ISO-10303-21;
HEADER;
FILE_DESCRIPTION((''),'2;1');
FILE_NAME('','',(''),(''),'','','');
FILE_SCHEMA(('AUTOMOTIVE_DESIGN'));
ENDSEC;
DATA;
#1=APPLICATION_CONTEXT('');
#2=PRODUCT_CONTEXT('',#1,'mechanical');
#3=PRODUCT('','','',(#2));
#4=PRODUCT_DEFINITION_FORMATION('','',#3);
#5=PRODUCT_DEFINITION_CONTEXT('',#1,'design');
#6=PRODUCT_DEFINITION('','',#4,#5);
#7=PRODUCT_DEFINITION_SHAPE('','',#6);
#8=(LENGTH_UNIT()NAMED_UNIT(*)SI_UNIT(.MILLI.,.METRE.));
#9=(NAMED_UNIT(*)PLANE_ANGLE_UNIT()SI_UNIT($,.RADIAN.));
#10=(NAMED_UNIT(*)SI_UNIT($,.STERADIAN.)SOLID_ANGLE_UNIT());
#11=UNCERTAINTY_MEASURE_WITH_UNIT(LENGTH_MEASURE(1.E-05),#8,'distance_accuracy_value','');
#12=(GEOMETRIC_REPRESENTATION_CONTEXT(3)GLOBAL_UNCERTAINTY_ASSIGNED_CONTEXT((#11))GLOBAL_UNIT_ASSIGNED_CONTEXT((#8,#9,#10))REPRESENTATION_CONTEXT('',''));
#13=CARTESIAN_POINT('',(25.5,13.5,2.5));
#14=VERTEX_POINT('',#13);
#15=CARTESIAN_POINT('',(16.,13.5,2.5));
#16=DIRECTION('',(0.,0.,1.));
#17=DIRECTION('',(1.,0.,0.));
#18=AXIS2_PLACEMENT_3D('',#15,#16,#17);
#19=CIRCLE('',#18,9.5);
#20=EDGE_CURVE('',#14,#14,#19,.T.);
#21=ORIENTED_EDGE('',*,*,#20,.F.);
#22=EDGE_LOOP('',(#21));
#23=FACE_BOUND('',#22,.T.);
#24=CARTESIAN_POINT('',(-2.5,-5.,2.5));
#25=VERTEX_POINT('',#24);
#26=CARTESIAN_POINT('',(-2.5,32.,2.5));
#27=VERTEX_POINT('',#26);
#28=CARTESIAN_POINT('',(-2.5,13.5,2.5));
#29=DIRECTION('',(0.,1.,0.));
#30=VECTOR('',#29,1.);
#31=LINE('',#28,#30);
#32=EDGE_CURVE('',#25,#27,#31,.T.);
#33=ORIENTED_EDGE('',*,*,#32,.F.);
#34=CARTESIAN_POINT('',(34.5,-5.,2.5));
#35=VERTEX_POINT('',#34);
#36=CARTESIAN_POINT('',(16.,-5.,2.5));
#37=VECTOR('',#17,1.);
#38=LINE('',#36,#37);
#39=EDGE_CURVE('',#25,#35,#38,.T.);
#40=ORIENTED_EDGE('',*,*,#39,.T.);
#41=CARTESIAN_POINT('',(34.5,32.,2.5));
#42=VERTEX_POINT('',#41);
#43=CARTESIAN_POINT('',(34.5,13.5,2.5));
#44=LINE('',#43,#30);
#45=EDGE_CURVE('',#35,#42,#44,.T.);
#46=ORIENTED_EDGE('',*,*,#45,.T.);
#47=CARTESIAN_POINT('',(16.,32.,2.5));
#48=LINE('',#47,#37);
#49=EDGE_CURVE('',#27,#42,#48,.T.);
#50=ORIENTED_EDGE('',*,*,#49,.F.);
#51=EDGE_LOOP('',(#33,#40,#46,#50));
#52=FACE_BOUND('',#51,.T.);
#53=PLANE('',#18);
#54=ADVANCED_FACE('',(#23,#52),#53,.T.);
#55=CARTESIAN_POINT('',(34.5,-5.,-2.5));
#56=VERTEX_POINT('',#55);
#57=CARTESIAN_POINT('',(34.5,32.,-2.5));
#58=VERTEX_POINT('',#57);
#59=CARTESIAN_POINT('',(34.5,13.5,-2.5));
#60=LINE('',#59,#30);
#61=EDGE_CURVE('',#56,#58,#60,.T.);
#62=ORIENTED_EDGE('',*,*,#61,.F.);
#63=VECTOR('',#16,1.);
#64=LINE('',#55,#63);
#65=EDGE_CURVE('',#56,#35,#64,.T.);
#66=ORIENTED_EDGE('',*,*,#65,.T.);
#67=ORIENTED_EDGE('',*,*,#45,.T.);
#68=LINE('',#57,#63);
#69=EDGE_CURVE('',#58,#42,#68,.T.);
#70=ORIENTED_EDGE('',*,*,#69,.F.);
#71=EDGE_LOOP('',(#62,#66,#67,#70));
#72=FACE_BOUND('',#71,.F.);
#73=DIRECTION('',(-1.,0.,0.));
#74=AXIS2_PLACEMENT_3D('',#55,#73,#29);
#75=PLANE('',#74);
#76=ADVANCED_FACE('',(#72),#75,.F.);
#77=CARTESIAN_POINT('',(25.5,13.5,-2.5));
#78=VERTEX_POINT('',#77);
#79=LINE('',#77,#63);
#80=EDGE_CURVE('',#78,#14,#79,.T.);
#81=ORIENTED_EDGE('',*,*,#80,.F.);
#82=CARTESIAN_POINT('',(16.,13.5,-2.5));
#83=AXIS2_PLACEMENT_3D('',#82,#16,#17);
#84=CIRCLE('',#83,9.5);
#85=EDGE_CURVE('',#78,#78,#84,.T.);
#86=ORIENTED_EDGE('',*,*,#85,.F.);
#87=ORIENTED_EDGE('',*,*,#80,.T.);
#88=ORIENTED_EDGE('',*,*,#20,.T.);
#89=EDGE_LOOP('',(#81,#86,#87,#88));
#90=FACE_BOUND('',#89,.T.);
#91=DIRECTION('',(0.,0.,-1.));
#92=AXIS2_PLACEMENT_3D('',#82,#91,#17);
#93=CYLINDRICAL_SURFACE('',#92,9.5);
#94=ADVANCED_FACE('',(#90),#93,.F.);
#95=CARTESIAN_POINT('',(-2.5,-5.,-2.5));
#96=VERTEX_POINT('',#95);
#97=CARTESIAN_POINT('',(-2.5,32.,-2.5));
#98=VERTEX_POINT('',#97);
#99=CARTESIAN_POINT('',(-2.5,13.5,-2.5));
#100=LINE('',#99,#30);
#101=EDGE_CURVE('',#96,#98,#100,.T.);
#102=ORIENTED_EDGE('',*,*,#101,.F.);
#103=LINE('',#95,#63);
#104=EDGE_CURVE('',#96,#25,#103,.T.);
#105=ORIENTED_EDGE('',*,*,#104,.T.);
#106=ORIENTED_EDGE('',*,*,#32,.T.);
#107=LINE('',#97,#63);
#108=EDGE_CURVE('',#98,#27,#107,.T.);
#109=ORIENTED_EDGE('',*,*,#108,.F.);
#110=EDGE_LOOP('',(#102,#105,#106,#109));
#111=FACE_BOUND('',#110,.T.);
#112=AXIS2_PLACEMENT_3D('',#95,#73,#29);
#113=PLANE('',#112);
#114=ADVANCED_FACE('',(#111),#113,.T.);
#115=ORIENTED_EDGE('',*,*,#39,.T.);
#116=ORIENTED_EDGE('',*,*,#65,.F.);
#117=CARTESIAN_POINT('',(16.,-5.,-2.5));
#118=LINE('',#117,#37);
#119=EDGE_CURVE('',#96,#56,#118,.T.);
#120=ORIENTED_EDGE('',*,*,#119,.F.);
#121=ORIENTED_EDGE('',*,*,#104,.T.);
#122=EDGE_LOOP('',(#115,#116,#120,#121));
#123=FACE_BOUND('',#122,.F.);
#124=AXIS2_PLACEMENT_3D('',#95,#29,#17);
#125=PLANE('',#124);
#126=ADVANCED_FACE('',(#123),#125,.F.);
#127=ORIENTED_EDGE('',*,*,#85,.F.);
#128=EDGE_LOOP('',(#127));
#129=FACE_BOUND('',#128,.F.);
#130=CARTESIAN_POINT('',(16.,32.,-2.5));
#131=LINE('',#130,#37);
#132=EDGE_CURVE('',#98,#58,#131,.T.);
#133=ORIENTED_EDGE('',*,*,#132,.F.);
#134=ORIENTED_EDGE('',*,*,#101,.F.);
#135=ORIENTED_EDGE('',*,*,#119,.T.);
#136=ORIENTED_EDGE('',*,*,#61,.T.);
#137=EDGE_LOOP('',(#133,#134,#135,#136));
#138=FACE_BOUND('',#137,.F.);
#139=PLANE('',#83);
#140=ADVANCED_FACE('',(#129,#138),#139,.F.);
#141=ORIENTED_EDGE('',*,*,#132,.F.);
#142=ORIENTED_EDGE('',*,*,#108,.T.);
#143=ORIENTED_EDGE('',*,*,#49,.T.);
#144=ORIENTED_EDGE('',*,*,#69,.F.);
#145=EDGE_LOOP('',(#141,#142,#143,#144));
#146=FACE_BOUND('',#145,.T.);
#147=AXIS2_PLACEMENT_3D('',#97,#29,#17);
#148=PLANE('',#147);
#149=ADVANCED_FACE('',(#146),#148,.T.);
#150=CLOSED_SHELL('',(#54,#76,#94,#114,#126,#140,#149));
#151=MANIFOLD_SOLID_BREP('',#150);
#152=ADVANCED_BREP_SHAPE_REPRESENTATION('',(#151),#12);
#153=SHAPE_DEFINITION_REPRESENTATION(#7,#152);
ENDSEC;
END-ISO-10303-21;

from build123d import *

# Parameters (mm, degrees)
F0_W     = 37
F0_H     = 37
F0_R     = 9.5
F1_DEPTH = 5
F2_ANGLE = 90


with BuildPart() as f1:
    # F0 (on Front) → F1 (new body)
    with BuildSketch(Plane.XZ):
        Rectangle(F0_W, F0_H)
        Circle(F0_R, mode=Mode.SUBTRACT)
    extrude(amount=F1_DEPTH)


with BuildPart() as f1_1:
    # F2: moved
    add(f1.part.rotate(Axis((0, 0, 18.5), (-1, 0, 0)), F2_ANGLE))


with BuildPart() as f1_2:
    # F3: moved
    add(f1_1.part.moved(Location((16, 32, -21))))


solid = f1_2.part
